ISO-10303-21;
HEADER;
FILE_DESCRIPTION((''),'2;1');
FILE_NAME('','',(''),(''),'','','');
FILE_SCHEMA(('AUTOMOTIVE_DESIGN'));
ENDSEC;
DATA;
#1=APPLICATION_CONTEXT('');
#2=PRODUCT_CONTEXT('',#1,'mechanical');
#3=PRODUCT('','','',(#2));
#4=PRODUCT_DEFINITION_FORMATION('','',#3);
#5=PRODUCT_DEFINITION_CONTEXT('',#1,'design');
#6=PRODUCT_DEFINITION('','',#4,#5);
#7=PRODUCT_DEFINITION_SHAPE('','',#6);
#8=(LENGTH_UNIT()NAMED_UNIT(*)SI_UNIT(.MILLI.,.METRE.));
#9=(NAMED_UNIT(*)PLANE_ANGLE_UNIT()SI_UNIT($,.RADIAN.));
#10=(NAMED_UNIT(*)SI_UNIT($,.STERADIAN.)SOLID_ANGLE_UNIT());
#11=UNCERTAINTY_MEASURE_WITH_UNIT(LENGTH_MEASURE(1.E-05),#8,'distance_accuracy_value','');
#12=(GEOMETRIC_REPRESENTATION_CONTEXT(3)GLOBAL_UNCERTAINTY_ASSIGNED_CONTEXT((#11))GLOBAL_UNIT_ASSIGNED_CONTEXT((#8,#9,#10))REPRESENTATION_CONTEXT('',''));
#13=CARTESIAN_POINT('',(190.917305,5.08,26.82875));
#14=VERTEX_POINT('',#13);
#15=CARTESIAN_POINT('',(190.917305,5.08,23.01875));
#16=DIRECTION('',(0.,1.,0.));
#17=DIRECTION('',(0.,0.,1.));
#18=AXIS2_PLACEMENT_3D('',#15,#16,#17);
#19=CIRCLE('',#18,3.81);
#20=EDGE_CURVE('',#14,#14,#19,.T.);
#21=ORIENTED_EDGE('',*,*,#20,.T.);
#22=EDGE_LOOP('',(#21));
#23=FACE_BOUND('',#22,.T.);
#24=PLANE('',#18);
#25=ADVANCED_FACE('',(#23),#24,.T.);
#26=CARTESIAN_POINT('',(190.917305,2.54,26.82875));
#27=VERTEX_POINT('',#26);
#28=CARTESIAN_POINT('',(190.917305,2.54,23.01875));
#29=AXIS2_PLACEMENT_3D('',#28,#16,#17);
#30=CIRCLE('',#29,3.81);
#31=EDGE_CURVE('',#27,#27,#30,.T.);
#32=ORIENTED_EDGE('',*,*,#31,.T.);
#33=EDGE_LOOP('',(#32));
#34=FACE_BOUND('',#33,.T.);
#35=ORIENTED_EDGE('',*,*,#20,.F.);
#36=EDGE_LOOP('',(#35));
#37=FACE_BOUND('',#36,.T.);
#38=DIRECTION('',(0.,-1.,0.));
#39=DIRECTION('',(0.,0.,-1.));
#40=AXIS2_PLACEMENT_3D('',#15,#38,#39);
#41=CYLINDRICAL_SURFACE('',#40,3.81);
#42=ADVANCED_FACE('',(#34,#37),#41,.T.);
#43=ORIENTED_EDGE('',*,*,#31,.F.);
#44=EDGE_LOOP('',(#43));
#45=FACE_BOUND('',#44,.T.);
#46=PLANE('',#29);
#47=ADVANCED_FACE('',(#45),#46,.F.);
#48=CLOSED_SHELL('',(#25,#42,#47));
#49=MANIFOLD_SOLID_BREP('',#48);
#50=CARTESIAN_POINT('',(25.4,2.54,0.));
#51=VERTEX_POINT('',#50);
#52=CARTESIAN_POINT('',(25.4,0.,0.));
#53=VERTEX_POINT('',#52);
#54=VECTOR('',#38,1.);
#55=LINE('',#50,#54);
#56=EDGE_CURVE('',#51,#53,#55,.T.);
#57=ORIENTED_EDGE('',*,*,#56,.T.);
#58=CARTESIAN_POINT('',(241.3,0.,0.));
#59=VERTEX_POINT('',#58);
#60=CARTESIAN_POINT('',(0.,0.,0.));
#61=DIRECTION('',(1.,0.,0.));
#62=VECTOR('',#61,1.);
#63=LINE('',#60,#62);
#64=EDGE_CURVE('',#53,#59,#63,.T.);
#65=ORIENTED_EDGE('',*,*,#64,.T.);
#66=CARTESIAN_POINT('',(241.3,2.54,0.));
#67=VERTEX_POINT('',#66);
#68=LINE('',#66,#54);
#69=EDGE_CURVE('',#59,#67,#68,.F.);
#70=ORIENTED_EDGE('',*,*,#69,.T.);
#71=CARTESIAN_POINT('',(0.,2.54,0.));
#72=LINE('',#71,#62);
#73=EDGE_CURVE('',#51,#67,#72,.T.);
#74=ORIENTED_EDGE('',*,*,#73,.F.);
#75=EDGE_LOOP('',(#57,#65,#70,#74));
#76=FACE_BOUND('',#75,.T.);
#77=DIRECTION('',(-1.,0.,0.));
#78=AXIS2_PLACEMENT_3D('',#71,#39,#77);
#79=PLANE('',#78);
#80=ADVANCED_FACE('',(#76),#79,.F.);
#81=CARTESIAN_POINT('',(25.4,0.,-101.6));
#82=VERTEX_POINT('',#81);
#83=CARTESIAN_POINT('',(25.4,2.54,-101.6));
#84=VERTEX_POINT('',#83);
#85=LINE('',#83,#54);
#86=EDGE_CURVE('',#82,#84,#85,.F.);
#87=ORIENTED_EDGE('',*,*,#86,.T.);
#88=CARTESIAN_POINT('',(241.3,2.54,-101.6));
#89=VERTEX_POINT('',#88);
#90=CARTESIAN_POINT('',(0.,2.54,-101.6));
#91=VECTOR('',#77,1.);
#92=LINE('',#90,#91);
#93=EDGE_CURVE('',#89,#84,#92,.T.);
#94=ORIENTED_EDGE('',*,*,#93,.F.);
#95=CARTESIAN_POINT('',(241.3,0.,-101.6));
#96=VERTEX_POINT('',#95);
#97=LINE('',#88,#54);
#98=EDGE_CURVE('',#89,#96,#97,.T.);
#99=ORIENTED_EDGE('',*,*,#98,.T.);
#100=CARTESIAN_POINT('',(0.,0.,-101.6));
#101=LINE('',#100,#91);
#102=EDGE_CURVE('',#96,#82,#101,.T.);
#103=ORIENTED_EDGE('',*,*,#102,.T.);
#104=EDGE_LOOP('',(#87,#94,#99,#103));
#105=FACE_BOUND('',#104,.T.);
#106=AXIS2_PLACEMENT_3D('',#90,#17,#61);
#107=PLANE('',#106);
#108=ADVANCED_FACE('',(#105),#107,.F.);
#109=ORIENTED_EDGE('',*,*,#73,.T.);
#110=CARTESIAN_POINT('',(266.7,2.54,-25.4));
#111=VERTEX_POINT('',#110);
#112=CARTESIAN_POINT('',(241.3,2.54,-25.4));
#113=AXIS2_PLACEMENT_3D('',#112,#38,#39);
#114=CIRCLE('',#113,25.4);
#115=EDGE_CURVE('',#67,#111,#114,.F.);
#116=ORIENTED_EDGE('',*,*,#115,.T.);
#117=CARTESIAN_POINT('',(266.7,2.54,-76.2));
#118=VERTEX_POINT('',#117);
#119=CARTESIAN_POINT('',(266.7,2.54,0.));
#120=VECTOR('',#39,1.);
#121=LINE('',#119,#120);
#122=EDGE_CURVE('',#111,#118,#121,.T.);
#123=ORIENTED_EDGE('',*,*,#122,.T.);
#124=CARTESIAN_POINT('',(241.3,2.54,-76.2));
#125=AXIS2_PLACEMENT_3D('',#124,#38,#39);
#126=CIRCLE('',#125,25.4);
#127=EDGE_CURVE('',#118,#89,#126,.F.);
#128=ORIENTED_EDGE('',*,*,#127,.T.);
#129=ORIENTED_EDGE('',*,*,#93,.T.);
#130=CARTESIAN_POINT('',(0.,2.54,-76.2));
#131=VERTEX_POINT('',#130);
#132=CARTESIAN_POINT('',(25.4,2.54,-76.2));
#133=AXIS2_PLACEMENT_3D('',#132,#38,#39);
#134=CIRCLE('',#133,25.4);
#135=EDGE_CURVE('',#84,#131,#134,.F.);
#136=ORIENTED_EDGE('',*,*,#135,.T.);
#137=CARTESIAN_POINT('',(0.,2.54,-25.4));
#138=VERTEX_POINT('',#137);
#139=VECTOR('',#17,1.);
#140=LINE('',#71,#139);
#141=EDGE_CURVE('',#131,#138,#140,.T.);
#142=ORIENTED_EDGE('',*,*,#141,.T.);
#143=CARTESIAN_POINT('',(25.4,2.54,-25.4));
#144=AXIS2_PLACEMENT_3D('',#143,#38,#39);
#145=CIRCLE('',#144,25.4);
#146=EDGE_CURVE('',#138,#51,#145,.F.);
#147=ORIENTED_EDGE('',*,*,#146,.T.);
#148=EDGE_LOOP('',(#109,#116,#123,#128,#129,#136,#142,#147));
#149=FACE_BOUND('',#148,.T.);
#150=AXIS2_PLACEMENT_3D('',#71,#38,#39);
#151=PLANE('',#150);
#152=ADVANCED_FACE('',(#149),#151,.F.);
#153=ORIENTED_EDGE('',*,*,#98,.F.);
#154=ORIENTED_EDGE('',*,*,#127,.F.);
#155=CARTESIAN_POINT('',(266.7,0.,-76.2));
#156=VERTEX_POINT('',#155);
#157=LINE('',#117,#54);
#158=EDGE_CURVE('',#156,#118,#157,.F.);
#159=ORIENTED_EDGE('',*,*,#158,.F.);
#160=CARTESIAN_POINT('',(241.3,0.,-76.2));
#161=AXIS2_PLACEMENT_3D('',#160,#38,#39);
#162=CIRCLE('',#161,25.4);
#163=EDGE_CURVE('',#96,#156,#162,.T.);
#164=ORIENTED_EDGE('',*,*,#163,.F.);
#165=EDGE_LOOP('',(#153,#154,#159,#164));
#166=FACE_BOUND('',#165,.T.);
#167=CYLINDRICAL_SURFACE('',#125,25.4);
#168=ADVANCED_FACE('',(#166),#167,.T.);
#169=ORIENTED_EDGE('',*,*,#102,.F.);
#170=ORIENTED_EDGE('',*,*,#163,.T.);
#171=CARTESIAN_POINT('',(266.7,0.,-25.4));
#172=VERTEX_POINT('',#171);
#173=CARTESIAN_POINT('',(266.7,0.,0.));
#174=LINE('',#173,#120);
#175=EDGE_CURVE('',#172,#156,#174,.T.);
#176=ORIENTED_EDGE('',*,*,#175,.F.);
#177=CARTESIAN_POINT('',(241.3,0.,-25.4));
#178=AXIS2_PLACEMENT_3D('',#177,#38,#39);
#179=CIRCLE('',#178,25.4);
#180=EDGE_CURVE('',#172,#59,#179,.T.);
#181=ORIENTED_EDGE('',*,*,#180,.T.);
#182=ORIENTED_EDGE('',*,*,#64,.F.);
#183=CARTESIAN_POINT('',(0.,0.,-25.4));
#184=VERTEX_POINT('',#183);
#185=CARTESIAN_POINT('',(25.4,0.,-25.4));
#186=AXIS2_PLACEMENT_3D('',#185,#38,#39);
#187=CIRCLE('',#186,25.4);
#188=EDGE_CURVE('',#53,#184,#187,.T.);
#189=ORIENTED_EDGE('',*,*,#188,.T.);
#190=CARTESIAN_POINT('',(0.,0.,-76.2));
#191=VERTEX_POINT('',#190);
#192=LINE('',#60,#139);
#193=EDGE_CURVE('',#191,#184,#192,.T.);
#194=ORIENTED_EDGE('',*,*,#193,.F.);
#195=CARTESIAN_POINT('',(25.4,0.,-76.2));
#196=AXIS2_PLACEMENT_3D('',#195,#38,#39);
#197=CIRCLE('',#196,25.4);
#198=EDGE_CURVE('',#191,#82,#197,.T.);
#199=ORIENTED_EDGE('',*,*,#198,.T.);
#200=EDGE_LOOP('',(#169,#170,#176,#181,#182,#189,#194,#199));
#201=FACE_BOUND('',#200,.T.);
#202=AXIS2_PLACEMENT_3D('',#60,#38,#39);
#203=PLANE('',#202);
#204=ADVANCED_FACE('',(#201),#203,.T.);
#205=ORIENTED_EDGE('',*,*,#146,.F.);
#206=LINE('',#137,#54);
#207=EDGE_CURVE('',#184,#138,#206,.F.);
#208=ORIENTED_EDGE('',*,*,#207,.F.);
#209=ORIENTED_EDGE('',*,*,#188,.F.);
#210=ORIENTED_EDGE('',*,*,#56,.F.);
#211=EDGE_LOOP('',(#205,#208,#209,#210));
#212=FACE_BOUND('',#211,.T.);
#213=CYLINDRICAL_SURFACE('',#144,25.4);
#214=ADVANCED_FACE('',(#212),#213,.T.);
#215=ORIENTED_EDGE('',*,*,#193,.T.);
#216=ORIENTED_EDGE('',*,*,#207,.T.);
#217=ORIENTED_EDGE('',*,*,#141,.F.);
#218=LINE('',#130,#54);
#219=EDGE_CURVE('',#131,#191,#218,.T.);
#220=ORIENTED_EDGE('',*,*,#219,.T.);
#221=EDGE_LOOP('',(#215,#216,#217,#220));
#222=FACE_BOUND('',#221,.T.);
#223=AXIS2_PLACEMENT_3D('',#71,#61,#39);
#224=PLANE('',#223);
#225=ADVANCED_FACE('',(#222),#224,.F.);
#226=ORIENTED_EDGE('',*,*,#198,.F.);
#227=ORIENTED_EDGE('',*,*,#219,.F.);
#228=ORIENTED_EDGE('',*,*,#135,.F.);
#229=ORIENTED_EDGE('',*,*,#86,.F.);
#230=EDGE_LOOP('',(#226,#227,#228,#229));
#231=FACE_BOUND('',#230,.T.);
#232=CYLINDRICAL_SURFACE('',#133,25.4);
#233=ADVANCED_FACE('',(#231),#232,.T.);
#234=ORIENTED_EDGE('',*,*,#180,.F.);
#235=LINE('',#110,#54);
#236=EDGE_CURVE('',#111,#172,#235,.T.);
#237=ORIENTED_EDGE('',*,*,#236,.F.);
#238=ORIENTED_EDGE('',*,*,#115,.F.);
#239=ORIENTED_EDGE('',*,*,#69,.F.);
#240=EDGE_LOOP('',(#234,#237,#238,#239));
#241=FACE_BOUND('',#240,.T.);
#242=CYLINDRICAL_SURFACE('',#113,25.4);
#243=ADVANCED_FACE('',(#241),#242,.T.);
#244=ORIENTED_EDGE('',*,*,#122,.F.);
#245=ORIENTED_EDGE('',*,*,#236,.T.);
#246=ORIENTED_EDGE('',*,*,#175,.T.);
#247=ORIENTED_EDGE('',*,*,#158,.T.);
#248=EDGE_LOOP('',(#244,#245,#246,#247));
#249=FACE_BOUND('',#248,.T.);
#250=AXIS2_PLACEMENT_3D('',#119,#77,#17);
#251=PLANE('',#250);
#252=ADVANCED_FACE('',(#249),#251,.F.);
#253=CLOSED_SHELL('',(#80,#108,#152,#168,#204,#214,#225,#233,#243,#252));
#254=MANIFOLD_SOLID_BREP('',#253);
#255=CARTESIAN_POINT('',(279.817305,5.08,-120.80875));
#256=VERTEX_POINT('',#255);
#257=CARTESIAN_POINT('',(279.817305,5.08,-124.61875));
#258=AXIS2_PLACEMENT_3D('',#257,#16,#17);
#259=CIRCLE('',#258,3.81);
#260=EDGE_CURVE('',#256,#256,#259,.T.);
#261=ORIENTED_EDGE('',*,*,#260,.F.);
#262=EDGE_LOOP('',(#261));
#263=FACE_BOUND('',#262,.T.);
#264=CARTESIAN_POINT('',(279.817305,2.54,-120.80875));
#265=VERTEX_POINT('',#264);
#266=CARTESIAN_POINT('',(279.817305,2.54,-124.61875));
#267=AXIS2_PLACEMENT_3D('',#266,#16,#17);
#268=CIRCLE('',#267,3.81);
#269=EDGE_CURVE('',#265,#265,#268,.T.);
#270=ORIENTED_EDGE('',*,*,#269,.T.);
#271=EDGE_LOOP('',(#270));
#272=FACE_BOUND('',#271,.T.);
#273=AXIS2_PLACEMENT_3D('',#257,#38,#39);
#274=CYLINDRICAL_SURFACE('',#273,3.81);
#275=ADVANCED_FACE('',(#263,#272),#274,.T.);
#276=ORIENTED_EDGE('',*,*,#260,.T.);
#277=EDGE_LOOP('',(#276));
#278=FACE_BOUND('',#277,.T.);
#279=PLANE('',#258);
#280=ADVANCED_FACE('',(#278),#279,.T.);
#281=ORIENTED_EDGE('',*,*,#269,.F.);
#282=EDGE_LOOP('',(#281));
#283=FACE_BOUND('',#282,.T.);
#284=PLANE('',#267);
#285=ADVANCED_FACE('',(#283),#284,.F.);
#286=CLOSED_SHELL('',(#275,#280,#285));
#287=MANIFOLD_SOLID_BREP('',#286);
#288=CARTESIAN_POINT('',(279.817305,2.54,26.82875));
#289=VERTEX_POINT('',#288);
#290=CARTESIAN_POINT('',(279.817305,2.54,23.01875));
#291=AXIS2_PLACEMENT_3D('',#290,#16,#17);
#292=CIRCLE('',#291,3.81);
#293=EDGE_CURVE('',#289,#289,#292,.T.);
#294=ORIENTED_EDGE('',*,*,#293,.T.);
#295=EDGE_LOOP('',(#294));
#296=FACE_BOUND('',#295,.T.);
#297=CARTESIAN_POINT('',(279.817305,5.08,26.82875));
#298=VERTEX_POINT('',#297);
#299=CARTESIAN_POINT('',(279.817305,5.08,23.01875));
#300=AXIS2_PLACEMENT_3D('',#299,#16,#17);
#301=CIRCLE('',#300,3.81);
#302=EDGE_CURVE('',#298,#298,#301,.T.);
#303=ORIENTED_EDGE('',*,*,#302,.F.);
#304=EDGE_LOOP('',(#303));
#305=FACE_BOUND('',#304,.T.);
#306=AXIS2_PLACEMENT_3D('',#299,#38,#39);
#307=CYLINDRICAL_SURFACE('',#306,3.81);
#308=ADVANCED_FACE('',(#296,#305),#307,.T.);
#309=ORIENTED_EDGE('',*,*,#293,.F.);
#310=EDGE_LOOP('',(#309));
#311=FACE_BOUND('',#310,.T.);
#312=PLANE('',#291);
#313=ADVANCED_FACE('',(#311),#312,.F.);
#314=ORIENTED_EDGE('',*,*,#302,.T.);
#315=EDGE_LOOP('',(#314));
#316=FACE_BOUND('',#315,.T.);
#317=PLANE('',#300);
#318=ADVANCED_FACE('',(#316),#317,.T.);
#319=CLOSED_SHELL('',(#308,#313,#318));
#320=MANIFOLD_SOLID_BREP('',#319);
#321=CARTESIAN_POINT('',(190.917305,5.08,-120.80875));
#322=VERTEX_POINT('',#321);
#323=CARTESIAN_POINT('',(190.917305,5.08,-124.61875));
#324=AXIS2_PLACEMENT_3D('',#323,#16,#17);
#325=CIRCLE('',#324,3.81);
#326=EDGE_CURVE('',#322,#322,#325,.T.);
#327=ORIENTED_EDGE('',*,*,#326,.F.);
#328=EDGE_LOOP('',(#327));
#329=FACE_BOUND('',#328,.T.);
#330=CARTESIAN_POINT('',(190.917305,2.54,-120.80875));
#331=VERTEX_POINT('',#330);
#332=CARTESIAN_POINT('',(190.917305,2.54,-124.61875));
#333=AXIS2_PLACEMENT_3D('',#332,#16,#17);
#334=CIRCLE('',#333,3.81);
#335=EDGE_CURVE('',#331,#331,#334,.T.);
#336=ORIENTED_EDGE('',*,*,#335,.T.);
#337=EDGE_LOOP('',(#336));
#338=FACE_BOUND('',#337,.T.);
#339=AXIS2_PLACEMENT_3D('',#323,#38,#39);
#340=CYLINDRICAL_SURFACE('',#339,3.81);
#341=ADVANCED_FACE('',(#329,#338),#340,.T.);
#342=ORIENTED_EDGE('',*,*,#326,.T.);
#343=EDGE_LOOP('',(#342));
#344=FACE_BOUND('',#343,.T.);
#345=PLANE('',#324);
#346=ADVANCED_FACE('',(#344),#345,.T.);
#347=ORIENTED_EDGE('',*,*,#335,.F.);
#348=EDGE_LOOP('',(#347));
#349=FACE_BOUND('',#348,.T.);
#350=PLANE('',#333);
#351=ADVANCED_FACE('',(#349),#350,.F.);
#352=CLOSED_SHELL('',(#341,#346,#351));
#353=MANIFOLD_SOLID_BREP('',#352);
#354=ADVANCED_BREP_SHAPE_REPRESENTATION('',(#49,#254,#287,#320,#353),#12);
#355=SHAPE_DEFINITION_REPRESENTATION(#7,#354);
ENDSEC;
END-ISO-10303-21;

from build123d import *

# Parameters (mm, degrees)
SKETCH1_W             = 266.7
SKETCH1_H             = 101.6
BOSS_EXTRUDE1_DEPTH   = 2.54
SKETCH3_R             = 3.81
BOSS_EXTRUDE2_DEPTH   = 2.54
BOSS_EXTRUDE2_2_DEPTH = 2.54
BOSS_EXTRUDE2_3_DEPTH = 2.54
BOSS_EXTRUDE2_4_DEPTH = 2.54
FILLET1_R             = 25.4


with BuildPart() as part:
    # Sketch1 → Boss-Extrude1 (new body)
    with BuildSketch(Plane(origin=(0, 0, 0), x_dir=(1, 0, 0), z_dir=(0, 1, 0))):
        with Locations((133.35, 50.8)):
            Rectangle(SKETCH1_W, SKETCH1_H)
    extrude(amount=BOSS_EXTRUDE1_DEPTH)

    # Fillet1
    fillet1_edges = [part.edges().sort_by_distance(p)[0] for p in [
        (0, 1.27, -101.6),
        (266.7, 1.27, -101.6),
        (266.7, 1.27, 0),
        (0, 1.27, 0),
    ]]
    fillet(fillet1_edges, radius=FILLET1_R)


with BuildPart() as body_2:
    # Sketch3 → Boss-Extrude2 (new body)
    with BuildSketch(Plane(origin=(0, 2.54, 0), x_dir=(1, 0, 0), z_dir=(0, 1, 0))):
        with Locations(Location((190.917305237, 124.61875, 0), (0, 0, 270))):
            Circle(SKETCH3_R)
    extrude(amount=BOSS_EXTRUDE2_DEPTH)


with BuildPart() as body_3:
    # Sketch3 → Boss-Extrude2 2 (new body)
    with BuildSketch(Plane(origin=(0, 2.54, 0), x_dir=(1, 0, 0), z_dir=(0, 1, 0))):
        with Locations(Location((279.817305237, 124.61875, 0), (0, 0, 270))):
            Circle(SKETCH3_R)
    extrude(amount=BOSS_EXTRUDE2_2_DEPTH)


with BuildPart() as body_4:
    # Sketch3 → Boss-Extrude2 3 (new body)
    with BuildSketch(Plane(origin=(0, 2.54, 0), x_dir=(1, 0, 0), z_dir=(0, 1, 0))):
        with Locations(Location((279.817305237, -23.01875, 0), (0, 0, 270))):
            Circle(SKETCH3_R)
    extrude(amount=BOSS_EXTRUDE2_3_DEPTH)


with BuildPart() as body_5:
    # Sketch3 → Boss-Extrude2 4 (new body)
    with BuildSketch(Plane(origin=(0, 2.54, 0), x_dir=(1, 0, 0), z_dir=(0, 1, 0))):
        with Locations(Location((190.917305237, -23.01875, 0), (0, 0, 270))):
            Circle(SKETCH3_R)
    extrude(amount=BOSS_EXTRUDE2_4_DEPTH)


solid = Compound([part.part, body_2.part, body_3.part, body_4.part, body_5.part])
